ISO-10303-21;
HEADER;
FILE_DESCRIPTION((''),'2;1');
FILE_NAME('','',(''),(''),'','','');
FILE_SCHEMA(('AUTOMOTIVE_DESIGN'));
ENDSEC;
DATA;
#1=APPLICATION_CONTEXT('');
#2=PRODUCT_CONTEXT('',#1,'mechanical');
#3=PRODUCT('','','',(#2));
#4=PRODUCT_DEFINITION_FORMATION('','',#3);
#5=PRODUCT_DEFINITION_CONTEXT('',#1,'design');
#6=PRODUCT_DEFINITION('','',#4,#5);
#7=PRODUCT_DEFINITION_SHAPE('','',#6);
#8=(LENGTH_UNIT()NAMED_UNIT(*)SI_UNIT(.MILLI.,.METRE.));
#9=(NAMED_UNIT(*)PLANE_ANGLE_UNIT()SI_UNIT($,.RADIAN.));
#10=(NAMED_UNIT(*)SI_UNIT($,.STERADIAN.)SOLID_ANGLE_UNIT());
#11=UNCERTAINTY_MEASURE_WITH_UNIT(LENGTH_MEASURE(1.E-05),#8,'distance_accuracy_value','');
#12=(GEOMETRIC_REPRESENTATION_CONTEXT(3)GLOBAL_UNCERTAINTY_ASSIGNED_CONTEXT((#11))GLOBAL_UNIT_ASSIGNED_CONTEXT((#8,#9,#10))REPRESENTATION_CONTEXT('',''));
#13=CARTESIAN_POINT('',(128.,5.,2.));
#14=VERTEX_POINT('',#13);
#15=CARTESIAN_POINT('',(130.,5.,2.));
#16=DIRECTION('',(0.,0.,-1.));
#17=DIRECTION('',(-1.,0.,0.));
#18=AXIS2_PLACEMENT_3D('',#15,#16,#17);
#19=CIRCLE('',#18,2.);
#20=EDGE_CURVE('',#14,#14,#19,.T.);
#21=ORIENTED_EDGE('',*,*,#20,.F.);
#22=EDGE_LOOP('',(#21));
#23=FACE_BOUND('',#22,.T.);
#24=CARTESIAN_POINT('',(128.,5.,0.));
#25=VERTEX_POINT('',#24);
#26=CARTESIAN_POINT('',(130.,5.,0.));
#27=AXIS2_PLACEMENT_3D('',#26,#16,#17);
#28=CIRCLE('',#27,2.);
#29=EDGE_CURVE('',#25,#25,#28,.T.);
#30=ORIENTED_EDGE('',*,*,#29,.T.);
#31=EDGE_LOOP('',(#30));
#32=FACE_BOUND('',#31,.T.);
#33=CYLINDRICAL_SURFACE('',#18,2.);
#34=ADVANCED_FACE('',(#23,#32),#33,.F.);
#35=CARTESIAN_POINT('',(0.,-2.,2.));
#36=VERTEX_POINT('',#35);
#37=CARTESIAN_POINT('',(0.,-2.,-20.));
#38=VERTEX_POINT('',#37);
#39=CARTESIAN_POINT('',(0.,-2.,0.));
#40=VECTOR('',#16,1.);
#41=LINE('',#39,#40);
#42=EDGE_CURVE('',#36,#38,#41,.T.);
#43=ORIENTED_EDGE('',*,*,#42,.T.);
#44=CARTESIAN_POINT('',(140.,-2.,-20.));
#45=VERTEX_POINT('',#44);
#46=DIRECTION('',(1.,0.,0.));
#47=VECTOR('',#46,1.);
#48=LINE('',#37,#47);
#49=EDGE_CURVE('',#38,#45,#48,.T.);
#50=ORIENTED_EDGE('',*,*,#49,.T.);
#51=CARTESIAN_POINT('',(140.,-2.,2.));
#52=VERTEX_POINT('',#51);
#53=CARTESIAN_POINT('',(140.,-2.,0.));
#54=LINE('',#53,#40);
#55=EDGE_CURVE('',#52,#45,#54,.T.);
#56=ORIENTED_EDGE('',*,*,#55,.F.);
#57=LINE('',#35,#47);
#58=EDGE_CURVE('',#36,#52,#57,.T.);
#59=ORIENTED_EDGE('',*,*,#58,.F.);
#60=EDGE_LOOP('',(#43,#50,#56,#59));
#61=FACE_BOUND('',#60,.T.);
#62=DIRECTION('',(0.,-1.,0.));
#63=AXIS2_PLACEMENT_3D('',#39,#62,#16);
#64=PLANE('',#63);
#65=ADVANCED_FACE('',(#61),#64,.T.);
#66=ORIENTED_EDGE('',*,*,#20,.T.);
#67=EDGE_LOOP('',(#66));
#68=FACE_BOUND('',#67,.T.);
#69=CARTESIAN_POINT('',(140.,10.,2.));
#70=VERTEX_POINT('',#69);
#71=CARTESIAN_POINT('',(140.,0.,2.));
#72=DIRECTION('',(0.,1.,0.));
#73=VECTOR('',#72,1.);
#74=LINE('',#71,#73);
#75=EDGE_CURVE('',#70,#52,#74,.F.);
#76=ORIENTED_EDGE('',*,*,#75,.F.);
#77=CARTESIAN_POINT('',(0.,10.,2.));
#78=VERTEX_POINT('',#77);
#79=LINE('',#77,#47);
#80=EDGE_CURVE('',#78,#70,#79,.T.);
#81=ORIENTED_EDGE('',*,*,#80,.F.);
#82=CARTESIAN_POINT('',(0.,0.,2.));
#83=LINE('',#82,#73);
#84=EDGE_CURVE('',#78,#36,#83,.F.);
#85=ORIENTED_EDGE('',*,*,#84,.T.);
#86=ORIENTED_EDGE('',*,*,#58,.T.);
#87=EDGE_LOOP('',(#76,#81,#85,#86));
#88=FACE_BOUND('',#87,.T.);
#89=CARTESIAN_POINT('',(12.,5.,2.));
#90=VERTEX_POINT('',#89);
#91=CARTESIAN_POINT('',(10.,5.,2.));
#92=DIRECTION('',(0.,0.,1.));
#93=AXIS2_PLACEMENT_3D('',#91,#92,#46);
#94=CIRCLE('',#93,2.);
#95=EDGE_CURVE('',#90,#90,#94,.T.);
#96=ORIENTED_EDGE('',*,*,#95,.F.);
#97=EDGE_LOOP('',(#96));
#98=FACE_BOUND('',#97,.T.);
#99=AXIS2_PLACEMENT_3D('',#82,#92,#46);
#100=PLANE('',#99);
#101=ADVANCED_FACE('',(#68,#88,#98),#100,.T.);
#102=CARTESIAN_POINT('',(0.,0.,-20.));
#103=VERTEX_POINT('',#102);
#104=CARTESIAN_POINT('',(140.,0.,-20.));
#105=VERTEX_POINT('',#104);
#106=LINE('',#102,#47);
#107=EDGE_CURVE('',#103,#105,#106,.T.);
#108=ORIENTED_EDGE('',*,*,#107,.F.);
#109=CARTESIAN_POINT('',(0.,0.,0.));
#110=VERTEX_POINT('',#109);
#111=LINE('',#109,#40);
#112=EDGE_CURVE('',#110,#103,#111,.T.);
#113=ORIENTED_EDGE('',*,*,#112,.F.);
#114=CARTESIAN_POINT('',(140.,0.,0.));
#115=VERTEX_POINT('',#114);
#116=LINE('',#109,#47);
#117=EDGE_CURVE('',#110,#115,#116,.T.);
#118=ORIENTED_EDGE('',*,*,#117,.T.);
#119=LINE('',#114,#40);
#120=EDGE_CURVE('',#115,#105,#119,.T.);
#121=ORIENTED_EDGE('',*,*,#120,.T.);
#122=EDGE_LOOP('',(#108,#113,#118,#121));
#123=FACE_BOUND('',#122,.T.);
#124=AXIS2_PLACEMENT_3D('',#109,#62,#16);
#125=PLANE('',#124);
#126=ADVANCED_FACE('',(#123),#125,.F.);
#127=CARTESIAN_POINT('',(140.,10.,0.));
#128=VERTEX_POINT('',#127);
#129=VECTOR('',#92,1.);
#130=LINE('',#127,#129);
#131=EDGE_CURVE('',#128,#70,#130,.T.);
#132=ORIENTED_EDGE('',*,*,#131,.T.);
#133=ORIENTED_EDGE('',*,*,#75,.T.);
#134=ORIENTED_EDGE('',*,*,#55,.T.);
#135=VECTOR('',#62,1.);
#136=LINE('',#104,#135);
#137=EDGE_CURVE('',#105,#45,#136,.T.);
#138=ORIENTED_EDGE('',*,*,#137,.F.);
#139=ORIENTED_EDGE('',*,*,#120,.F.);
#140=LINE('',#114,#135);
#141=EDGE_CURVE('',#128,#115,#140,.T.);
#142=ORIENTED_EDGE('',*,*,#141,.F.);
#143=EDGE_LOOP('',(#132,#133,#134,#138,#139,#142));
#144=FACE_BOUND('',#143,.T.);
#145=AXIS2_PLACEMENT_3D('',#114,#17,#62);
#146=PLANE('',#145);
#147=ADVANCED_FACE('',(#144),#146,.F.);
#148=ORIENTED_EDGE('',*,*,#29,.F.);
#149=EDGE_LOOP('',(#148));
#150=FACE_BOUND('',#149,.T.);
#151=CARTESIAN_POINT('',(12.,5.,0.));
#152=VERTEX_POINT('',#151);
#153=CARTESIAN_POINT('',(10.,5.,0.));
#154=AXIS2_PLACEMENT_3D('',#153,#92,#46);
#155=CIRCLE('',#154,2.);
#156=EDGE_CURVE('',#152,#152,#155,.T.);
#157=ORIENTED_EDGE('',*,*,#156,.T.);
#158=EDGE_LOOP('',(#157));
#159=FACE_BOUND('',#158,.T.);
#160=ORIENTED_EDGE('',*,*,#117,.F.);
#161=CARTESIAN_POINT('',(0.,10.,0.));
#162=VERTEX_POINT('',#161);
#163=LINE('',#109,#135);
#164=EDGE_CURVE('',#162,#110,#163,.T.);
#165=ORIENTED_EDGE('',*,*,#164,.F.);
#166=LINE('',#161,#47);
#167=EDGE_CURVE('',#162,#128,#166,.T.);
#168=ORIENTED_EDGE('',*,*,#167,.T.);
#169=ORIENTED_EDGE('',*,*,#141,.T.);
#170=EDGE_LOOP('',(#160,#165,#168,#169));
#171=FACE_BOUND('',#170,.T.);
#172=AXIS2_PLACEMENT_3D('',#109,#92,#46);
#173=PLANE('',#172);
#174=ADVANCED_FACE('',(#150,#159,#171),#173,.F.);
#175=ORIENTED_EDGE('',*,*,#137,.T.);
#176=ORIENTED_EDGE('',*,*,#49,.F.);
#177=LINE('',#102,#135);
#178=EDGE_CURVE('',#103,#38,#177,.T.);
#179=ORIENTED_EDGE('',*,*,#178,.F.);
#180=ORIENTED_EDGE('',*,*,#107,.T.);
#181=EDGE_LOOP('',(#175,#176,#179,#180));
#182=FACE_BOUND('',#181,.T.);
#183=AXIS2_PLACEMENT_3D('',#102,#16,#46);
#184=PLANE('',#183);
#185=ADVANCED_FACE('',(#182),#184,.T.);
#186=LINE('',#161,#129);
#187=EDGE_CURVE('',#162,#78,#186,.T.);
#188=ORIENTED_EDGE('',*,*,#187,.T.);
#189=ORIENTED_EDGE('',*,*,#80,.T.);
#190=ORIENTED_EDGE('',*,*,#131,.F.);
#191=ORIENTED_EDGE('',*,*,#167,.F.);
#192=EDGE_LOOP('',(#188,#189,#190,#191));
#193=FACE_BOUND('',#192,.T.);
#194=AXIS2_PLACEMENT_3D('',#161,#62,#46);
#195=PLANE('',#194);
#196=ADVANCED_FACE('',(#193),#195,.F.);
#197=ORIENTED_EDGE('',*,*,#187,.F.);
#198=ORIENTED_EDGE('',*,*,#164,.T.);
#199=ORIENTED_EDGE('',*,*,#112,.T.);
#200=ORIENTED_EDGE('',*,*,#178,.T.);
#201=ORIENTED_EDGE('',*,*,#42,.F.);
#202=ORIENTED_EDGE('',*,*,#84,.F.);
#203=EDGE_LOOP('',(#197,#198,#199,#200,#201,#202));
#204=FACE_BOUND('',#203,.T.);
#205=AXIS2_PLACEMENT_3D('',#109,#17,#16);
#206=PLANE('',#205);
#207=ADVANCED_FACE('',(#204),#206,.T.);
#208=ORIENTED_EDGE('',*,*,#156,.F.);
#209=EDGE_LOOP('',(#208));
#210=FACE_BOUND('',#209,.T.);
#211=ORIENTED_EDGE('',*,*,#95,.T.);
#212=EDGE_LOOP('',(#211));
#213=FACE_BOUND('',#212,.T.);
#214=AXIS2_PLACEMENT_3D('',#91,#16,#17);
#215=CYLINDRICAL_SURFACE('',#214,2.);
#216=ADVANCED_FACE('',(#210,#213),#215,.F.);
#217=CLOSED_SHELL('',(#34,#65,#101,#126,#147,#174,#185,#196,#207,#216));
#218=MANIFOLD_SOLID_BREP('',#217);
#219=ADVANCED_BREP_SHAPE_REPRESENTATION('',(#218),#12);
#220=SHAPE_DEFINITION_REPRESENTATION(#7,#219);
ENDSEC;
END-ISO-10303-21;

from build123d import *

# Parameters (mm, degrees)
SURFACE_EXTRUDE1_1_DEPTH = 140
THICKEN1_T2              = 2
SKETCH2_R                = 2
CUT_EXTRUDE2_DEPTH       = 142.774468788


with BuildPart() as body_1:
    # Surface-Extrude1: a surface, the sketch's curves swept straight by 140 mm
    with BuildLine(Plane(origin=(0, 0, 0), x_dir=(0, 0, -1), z_dir=(1, 0, 0)), mode=Mode.PRIVATE) as surface_extrude1_1_path:
        Line((0, 10), (0, 0))
        Line((0, 0), (20, 0))
    surface_extrude1_1 = Shell.extrude(surface_extrude1_1_path.wire(), (1 * SURFACE_EXTRUDE1_1_DEPTH, 0 * SURFACE_EXTRUDE1_1_DEPTH, 0 * SURFACE_EXTRUDE1_1_DEPTH))
    add(Solid.thicken(surface_extrude1_1, -THICKEN1_T2))

    # Sketch2 → Cut-Extrude2 (cut, through all)
    with BuildSketch(Plane(origin=(0, 0, 0), x_dir=(-1, 0, 0), z_dir=(0, 0, -1))):
        with Locations((-130, 5)):
            Circle(SKETCH2_R)
        with Locations(Location((-10, 5, 0), (0, 0, 180))):
            Circle(SKETCH2_R)
    extrude(amount=-CUT_EXTRUDE2_DEPTH, mode=Mode.SUBTRACT)


solid = body_1.part
